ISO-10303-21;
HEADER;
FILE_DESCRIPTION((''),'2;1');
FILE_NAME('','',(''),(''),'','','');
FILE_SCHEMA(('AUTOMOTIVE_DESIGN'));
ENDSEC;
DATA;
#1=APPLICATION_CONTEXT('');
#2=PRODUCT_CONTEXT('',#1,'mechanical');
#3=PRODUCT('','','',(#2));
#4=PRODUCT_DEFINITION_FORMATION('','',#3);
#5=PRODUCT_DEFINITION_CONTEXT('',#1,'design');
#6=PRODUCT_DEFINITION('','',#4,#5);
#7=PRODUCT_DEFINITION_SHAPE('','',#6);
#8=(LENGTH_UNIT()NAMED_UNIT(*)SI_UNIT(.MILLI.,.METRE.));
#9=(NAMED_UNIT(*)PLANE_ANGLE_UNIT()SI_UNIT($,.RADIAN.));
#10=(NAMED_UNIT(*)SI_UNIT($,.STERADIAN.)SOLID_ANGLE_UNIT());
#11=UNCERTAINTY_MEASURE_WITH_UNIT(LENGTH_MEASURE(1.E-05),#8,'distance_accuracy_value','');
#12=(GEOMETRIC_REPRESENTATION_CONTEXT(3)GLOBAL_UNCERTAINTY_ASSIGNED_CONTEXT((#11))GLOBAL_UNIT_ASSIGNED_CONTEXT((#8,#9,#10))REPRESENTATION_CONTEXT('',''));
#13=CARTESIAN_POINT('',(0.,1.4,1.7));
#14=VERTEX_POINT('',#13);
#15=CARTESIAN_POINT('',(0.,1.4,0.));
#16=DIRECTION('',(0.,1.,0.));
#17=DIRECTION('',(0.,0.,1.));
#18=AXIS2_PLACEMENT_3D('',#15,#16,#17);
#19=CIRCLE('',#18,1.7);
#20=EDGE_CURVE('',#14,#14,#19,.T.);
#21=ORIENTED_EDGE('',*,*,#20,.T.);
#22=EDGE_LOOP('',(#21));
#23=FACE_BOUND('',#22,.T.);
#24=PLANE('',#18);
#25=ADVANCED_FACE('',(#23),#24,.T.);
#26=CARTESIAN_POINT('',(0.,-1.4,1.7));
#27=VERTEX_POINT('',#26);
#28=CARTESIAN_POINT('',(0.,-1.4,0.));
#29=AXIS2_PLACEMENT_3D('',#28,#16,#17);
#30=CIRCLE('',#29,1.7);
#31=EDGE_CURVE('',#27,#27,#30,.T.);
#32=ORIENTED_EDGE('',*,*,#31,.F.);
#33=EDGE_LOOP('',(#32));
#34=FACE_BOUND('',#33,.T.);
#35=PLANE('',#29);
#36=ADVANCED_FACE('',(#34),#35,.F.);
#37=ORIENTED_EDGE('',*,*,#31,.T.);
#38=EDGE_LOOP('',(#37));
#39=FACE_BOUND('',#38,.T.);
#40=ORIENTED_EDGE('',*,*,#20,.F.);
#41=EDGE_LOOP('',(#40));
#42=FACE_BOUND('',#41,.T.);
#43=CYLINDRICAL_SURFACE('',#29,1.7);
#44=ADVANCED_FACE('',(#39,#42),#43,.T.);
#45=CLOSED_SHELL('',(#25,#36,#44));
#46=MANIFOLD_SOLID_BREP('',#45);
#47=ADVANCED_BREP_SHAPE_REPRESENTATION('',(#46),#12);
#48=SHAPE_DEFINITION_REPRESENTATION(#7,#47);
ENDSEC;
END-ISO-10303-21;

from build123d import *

# Parameters (mm, degrees)
BOSS_EXTRUDE1_DEPTH      = 1.4
BOSS_EXTRUDE1_DEPTH_BACK = 1.4
SKETCH1_R                = 1.7


with BuildPart() as part:
    # Sketch1 → Boss-Extrude1 (new, two sides: drawn at the far end of the back side and taken through both)
    with BuildSketch(Plane(origin=(0, 0, 0), x_dir=(1, 0, 0), z_dir=(0, 1, 0)).offset(-BOSS_EXTRUDE1_DEPTH_BACK)):
        Circle(SKETCH1_R)
    extrude(amount=BOSS_EXTRUDE1_DEPTH + BOSS_EXTRUDE1_DEPTH_BACK)


solid = part.part
